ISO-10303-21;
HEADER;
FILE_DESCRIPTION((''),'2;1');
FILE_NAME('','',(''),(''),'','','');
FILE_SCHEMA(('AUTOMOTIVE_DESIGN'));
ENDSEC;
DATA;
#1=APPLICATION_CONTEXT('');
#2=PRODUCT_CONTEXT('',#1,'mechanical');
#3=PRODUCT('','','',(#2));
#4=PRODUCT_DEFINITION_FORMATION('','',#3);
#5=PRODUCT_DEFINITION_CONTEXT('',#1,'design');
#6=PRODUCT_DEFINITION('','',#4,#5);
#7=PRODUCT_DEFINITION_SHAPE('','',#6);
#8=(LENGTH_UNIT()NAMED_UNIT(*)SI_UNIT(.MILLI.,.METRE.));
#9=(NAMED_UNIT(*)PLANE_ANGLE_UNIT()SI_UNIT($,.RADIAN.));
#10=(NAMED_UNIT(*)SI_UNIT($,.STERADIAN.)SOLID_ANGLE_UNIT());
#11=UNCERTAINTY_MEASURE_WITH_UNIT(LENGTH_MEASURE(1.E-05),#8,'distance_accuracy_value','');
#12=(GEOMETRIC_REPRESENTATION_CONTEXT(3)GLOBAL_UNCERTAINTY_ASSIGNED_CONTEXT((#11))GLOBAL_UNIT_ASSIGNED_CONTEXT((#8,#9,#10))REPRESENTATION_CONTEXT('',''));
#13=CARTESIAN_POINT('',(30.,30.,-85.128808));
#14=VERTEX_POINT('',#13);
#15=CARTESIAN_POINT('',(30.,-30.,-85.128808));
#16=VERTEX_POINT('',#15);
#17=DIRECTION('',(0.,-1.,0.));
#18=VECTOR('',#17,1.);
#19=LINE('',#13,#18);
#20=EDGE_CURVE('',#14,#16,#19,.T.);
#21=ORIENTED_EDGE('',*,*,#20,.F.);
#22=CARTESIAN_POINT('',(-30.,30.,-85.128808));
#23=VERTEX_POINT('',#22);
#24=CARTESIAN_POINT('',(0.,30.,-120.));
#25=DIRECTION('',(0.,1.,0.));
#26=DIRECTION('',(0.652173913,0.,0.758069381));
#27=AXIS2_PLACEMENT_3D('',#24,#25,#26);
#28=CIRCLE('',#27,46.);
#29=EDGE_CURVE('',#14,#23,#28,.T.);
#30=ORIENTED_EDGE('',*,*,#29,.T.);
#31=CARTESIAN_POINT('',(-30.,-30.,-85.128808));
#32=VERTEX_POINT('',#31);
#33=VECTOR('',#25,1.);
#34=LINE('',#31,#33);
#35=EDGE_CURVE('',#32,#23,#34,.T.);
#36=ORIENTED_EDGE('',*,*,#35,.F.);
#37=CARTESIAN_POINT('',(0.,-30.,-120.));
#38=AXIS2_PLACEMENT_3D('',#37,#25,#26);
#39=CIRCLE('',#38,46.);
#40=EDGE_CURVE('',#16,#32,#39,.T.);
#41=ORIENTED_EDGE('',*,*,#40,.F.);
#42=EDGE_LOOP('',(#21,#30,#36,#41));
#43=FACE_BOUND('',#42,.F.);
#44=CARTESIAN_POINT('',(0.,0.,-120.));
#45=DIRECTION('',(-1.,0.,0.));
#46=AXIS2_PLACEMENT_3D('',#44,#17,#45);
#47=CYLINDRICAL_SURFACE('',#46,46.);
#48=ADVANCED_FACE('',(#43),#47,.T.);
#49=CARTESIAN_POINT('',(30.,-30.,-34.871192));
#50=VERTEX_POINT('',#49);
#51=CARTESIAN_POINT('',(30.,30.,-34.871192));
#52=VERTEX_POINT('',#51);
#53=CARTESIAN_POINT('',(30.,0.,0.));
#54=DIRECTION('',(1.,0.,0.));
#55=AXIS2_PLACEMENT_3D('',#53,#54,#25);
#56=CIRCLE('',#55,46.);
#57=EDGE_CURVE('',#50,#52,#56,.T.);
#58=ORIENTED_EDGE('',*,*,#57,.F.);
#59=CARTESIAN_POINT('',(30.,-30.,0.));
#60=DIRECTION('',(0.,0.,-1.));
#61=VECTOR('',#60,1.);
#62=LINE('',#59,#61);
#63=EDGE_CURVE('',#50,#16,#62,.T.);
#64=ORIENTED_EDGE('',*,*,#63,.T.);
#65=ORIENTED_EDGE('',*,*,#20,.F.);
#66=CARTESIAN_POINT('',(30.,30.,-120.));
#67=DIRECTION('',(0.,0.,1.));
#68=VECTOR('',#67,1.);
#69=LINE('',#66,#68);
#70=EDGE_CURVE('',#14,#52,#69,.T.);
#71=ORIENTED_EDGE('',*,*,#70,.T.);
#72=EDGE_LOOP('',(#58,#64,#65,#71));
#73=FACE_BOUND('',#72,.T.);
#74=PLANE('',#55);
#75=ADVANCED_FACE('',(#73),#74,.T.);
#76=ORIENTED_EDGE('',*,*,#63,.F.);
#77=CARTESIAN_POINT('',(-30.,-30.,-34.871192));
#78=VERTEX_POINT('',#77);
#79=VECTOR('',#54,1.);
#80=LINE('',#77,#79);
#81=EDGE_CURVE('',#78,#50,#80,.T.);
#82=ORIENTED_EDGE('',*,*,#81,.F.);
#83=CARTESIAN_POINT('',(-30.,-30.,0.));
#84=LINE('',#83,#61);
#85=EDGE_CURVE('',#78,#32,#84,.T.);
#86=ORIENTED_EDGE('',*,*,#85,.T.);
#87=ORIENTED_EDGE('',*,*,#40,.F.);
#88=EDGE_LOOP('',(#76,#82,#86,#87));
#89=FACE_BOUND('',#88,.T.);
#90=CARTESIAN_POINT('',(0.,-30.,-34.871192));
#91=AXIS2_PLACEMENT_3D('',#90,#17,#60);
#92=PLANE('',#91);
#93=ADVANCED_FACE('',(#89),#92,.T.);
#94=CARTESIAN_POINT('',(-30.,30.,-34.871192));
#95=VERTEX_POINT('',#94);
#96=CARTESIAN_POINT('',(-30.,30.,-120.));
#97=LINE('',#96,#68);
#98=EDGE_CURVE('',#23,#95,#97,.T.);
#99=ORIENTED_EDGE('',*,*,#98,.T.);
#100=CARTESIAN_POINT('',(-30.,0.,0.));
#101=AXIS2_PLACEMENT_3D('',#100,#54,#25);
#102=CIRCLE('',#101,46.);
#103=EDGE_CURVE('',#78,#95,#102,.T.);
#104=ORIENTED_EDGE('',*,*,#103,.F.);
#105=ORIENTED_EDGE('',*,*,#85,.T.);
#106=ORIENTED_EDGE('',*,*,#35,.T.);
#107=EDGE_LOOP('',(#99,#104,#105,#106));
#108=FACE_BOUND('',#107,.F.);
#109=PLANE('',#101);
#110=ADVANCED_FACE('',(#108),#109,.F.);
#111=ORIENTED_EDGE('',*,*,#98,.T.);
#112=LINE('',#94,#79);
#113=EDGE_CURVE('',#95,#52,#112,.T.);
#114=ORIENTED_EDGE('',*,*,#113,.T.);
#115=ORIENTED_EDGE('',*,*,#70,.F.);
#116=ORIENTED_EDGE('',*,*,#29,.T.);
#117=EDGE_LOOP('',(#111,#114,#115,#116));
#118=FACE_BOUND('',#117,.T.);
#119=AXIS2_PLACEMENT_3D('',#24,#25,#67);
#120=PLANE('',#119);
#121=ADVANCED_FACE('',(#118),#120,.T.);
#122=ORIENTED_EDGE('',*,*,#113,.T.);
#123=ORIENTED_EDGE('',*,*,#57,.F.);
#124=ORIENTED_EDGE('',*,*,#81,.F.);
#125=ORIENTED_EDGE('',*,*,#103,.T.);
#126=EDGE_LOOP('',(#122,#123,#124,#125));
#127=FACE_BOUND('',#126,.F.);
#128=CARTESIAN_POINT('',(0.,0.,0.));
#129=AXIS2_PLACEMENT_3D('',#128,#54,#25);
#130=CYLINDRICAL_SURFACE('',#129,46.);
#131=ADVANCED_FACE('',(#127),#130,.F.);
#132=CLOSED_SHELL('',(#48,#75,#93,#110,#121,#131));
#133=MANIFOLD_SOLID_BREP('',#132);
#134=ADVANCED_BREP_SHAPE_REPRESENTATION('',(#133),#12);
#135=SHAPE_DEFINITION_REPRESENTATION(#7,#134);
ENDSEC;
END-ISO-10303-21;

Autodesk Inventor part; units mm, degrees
ref_plane "YZ Plane" through (0, 0, 0) normal (1, 0, 0) x (0, 1, 0)
ref_plane "XZ Plane" through (0, 0, 0) normal (0, 1, 0) x (-1, 0, 0)
sketch "Sketch1" plane through (0, 0, 0) normal (1, 0, 0) x (0, 1, 0)
  circle A0 centre (0, 0) radius 30
  line L0 (-30, 0) -> (-30, -120)
  line L1 (-30, -120) -> (30, -120)
  line L2 (30, -120) -> (30, 0)
  circle A1 centre (0, 0) radius 46
  line L3 (0, -56) -> (15, -56)
  line L4 (15, -56) -> (15, -75)
  line L5 (15, -75) -> (0, -75)
  line L6 (0, -75) -> (0, -56)
  point P0 (30, -34.8712)
  point P1 (-30, -34.8712)
  point P2 (0, -46)
  dimension "d16" = 92
  dimension "d0" = 60
  dimension "d1" = 120
  dimension "d18" = 30
  dimension "d19" = 45
  dimension "d20" = 10
  dimension "d21" = 19
extrude "Extrusion1" add sketch "Sketch1" along normal mid plane 60 contours L2 L1 L0 A1 | L3 L4 L5 L6
sketch "Sketch2" plane through (0, 0, 0) normal (0, 1, 0) x (-1, 0, 0)
  line L0 (30, -120) -> (-30, -120) projected
  circle A0 centre (0, -120) radius 46
  point P0 (0, 0)
  dimension "d4" = 92
extrude "Extrusion2" add sketch "Sketch2" along normal mid plane 60
ref_plane "Work Plane1" through (0, 0, -74) normal (0, 0, 1) x (1, 0, 0)
fillet "Fillet2" [suppressed]
equation "\"d4\" = d16"
properties part number "thigh"
